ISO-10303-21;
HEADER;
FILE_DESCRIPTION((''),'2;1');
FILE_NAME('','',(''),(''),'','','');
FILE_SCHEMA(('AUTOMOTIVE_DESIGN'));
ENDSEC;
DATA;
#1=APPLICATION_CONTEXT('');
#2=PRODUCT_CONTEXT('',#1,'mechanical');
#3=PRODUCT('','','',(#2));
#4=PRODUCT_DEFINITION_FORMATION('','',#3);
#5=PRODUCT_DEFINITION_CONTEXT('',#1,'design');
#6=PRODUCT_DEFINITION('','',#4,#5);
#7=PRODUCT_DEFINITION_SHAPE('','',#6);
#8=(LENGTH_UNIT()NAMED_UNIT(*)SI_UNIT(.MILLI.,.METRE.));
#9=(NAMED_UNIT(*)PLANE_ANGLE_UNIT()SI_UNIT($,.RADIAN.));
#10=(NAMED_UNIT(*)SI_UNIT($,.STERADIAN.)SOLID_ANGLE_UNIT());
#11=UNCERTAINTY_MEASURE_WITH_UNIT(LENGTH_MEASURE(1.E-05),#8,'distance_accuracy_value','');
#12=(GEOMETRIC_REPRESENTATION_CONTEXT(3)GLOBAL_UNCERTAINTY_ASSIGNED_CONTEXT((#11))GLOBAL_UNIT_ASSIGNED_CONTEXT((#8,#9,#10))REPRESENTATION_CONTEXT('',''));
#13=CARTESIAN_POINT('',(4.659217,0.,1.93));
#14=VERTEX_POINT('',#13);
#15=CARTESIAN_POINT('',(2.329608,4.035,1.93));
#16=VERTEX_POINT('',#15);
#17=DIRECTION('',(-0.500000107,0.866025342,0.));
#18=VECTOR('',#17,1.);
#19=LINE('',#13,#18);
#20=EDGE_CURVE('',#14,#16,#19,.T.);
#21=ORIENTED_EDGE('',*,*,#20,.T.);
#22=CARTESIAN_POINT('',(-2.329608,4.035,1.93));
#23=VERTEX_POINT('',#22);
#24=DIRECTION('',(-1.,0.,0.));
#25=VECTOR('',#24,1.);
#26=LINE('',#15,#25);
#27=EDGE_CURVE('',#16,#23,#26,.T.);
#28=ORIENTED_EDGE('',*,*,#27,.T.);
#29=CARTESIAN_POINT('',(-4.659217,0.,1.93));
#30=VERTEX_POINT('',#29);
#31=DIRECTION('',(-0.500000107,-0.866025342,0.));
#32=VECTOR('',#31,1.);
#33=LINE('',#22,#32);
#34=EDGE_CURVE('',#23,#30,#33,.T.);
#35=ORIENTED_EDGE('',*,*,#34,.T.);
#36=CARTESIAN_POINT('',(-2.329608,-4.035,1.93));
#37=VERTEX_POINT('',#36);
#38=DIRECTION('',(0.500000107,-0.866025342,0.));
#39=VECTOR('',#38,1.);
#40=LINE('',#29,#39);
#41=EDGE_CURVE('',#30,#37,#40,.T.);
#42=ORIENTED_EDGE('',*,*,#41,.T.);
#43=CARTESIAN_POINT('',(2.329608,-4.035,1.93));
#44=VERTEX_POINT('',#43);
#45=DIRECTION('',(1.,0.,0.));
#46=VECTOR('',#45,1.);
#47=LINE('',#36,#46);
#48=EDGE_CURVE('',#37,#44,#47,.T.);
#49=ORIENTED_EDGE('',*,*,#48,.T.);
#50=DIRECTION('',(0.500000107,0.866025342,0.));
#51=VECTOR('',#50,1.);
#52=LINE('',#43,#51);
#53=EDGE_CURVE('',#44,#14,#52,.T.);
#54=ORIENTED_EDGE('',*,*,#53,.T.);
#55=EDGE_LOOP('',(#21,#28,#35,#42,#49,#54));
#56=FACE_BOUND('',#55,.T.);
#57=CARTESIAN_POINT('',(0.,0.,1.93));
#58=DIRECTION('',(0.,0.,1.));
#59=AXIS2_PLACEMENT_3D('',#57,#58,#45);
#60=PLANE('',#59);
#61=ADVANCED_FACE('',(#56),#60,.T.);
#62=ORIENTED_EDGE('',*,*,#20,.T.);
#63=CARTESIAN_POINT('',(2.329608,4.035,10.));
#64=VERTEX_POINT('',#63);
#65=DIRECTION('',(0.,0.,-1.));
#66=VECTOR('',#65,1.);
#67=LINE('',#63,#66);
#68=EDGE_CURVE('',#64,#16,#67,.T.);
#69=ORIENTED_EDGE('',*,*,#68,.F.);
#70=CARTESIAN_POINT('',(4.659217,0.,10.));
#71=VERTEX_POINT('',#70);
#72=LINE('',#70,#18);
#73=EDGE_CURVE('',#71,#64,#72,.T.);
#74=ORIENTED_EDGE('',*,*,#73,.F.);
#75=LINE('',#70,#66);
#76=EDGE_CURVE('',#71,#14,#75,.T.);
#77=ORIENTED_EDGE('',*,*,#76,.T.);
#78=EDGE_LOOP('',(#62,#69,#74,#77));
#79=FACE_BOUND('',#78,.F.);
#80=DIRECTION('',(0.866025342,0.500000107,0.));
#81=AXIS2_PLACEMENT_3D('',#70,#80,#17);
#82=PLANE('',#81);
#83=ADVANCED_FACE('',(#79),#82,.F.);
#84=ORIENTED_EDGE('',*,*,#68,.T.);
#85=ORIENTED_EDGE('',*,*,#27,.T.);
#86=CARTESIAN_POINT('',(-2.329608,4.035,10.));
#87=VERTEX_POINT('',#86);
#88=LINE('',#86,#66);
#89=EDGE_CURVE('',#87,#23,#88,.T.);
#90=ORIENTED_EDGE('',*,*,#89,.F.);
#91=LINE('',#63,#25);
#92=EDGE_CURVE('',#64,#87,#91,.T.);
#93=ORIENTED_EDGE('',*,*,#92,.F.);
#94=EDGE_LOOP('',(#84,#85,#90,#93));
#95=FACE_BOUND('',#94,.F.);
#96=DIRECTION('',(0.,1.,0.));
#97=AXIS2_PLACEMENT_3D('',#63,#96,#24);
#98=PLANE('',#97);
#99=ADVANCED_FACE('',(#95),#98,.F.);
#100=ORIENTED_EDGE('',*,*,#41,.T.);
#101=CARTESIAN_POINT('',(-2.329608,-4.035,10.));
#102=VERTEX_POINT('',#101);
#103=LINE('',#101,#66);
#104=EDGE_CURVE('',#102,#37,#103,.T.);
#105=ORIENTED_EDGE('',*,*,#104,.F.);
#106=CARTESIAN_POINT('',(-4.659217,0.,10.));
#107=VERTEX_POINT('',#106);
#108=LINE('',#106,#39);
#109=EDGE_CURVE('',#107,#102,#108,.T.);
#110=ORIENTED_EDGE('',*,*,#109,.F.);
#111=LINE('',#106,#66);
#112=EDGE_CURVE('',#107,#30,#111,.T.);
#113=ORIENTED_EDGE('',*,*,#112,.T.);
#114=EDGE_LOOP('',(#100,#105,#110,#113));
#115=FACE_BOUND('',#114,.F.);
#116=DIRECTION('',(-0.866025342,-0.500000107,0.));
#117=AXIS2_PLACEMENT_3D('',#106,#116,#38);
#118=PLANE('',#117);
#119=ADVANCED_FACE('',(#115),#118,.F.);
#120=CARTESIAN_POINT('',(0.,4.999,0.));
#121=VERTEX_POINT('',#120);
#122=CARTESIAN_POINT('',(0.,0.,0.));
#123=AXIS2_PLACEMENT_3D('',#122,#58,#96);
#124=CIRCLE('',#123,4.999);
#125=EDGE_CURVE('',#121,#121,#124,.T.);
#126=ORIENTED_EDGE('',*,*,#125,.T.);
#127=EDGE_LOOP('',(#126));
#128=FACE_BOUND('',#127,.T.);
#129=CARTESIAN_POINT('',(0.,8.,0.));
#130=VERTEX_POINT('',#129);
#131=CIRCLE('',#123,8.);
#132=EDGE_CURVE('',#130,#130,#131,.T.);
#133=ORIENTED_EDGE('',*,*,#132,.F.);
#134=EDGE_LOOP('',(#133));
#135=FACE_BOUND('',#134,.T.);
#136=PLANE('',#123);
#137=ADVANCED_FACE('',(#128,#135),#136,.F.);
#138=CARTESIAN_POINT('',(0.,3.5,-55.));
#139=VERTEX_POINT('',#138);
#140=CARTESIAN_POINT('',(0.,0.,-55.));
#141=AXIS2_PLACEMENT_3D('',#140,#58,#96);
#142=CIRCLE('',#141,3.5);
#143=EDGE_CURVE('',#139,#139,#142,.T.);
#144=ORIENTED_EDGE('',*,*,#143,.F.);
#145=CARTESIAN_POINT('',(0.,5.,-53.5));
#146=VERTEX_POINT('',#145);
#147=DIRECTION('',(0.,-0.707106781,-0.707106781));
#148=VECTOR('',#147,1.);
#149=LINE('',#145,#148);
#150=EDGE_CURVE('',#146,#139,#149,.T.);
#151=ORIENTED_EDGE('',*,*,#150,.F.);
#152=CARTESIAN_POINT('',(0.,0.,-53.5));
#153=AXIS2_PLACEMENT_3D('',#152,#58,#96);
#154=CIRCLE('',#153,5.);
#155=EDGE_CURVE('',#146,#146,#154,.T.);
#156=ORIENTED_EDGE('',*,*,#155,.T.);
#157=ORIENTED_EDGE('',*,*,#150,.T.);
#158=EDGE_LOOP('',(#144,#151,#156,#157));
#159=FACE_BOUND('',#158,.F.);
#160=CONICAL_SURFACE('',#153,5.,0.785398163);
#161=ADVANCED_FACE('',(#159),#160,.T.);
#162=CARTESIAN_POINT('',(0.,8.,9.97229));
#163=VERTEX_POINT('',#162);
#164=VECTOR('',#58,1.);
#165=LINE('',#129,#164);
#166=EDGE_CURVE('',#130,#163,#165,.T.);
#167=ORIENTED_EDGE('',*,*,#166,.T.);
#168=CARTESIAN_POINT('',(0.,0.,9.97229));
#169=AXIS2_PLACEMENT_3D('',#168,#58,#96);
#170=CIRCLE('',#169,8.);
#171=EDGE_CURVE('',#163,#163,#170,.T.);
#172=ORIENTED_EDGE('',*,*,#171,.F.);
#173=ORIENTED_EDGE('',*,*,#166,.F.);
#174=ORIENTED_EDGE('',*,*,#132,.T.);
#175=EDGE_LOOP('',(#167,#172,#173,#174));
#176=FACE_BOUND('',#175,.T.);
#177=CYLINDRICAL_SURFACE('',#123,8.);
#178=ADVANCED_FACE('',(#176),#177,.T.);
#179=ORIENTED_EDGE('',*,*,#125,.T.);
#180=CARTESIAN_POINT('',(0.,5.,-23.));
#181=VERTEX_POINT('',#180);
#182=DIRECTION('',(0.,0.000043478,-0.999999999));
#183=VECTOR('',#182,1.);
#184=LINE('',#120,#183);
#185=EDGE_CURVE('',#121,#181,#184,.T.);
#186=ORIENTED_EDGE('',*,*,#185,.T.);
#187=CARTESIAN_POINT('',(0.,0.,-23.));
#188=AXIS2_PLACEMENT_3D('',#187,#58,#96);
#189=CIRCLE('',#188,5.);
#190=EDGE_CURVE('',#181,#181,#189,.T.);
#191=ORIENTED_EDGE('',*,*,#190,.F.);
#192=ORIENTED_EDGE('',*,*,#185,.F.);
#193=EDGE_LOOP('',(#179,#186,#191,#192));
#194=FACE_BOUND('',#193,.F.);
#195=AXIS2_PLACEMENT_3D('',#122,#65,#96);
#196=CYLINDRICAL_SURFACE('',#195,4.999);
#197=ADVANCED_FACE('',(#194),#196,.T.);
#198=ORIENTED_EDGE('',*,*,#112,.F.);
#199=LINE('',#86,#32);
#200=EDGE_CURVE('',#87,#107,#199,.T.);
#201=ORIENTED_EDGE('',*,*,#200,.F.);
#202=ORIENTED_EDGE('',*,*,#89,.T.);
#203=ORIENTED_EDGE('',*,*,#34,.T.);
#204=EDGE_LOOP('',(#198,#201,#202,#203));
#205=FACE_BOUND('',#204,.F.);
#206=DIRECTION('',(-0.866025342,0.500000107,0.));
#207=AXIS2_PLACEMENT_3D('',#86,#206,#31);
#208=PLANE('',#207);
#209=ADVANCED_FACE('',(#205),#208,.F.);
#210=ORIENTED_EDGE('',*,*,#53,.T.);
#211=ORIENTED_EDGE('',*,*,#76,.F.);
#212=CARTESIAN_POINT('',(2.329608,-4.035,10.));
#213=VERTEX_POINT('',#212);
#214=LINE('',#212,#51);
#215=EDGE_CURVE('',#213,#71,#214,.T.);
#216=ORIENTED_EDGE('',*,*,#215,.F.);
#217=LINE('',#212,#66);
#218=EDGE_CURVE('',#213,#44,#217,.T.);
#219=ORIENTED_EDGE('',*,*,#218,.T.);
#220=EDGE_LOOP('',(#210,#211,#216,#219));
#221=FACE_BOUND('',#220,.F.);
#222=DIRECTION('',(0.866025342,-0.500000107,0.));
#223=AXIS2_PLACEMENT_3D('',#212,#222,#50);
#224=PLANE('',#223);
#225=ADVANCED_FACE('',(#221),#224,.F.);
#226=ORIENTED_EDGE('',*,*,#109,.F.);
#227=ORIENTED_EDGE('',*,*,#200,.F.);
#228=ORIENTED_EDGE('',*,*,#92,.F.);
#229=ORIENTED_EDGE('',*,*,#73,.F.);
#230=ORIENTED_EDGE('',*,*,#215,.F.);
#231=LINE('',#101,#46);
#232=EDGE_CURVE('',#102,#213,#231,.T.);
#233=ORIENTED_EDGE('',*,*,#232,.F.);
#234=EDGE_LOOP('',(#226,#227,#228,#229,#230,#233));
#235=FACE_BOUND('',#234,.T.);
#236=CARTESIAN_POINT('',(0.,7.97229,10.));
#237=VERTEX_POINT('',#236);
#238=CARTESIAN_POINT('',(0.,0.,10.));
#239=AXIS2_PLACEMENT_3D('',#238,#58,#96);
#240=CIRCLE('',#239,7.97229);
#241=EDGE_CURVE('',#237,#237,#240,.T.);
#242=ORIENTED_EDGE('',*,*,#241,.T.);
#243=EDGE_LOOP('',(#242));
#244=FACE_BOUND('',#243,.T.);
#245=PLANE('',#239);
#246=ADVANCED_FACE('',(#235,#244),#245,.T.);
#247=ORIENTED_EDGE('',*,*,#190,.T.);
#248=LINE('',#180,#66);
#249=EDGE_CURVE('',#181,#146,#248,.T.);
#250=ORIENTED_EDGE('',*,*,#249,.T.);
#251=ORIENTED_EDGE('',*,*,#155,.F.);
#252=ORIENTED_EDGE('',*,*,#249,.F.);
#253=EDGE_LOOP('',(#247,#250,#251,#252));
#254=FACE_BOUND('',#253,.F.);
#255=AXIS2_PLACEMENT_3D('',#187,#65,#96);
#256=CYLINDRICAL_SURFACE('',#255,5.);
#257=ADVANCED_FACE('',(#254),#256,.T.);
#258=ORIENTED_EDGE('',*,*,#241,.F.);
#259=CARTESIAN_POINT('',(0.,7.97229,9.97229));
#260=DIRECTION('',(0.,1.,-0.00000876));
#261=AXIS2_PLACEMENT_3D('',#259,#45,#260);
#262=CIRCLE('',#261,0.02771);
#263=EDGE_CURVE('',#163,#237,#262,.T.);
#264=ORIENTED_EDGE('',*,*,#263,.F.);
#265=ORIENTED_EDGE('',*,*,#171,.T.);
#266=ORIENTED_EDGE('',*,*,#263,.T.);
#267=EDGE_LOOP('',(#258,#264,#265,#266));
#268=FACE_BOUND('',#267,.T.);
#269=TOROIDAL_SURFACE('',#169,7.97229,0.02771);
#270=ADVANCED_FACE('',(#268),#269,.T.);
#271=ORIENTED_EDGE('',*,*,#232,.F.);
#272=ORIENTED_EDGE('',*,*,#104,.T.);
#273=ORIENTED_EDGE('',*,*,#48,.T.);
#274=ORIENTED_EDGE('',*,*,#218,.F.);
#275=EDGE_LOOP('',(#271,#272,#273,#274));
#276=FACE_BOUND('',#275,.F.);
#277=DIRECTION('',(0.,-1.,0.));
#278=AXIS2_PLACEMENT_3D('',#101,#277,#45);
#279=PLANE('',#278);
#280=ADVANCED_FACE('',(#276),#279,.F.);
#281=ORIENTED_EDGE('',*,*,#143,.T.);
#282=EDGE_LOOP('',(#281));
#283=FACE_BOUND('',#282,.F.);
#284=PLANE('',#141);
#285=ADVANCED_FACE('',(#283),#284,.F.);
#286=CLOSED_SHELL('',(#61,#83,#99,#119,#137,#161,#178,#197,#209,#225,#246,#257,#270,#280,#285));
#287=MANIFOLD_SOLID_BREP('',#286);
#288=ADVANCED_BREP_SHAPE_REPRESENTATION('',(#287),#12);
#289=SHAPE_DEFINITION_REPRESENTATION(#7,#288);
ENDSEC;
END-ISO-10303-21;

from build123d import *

# Parameters (mm, degrees)
POCKET_DEPTH = 8.07


with BuildPart() as part:
    # Sketch → Revolve (revolve)
    with BuildSketch(Plane.YZ):
        with BuildLine():
            Line((4.999, 0), (8, 0))
            Line((8, 0), (8, 9.97229))
            ThreePointArc((8, 9.97229), (7.991884, 9.991884), (7.97229, 10))
            Line((7.97229, 10), (0, 10))
            Line((0, -55), (0, 10))
            Line((3.5, -55), (0, -55))
            Line((5, -53.5), (3.5, -55))
            Line((5, -23), (5, -53.5))
            Line((4.999, 0), (5, -23))
        make_face()
    revolve(axis=Axis((0, 0, 0), (0, 0, 1)))

    # Sketch001 → Pocket (cut)
    with BuildSketch(Plane.XY.offset(10)):
        Polygon((4.659217, 0), (2.329608, 4.035), (-2.329608, 4.035), (-4.659217, 0), (-2.329608, -4.035), (2.329608, -4.035), align=None)
    extrude(amount=-POCKET_DEPTH, mode=Mode.SUBTRACT)


solid = part.part
